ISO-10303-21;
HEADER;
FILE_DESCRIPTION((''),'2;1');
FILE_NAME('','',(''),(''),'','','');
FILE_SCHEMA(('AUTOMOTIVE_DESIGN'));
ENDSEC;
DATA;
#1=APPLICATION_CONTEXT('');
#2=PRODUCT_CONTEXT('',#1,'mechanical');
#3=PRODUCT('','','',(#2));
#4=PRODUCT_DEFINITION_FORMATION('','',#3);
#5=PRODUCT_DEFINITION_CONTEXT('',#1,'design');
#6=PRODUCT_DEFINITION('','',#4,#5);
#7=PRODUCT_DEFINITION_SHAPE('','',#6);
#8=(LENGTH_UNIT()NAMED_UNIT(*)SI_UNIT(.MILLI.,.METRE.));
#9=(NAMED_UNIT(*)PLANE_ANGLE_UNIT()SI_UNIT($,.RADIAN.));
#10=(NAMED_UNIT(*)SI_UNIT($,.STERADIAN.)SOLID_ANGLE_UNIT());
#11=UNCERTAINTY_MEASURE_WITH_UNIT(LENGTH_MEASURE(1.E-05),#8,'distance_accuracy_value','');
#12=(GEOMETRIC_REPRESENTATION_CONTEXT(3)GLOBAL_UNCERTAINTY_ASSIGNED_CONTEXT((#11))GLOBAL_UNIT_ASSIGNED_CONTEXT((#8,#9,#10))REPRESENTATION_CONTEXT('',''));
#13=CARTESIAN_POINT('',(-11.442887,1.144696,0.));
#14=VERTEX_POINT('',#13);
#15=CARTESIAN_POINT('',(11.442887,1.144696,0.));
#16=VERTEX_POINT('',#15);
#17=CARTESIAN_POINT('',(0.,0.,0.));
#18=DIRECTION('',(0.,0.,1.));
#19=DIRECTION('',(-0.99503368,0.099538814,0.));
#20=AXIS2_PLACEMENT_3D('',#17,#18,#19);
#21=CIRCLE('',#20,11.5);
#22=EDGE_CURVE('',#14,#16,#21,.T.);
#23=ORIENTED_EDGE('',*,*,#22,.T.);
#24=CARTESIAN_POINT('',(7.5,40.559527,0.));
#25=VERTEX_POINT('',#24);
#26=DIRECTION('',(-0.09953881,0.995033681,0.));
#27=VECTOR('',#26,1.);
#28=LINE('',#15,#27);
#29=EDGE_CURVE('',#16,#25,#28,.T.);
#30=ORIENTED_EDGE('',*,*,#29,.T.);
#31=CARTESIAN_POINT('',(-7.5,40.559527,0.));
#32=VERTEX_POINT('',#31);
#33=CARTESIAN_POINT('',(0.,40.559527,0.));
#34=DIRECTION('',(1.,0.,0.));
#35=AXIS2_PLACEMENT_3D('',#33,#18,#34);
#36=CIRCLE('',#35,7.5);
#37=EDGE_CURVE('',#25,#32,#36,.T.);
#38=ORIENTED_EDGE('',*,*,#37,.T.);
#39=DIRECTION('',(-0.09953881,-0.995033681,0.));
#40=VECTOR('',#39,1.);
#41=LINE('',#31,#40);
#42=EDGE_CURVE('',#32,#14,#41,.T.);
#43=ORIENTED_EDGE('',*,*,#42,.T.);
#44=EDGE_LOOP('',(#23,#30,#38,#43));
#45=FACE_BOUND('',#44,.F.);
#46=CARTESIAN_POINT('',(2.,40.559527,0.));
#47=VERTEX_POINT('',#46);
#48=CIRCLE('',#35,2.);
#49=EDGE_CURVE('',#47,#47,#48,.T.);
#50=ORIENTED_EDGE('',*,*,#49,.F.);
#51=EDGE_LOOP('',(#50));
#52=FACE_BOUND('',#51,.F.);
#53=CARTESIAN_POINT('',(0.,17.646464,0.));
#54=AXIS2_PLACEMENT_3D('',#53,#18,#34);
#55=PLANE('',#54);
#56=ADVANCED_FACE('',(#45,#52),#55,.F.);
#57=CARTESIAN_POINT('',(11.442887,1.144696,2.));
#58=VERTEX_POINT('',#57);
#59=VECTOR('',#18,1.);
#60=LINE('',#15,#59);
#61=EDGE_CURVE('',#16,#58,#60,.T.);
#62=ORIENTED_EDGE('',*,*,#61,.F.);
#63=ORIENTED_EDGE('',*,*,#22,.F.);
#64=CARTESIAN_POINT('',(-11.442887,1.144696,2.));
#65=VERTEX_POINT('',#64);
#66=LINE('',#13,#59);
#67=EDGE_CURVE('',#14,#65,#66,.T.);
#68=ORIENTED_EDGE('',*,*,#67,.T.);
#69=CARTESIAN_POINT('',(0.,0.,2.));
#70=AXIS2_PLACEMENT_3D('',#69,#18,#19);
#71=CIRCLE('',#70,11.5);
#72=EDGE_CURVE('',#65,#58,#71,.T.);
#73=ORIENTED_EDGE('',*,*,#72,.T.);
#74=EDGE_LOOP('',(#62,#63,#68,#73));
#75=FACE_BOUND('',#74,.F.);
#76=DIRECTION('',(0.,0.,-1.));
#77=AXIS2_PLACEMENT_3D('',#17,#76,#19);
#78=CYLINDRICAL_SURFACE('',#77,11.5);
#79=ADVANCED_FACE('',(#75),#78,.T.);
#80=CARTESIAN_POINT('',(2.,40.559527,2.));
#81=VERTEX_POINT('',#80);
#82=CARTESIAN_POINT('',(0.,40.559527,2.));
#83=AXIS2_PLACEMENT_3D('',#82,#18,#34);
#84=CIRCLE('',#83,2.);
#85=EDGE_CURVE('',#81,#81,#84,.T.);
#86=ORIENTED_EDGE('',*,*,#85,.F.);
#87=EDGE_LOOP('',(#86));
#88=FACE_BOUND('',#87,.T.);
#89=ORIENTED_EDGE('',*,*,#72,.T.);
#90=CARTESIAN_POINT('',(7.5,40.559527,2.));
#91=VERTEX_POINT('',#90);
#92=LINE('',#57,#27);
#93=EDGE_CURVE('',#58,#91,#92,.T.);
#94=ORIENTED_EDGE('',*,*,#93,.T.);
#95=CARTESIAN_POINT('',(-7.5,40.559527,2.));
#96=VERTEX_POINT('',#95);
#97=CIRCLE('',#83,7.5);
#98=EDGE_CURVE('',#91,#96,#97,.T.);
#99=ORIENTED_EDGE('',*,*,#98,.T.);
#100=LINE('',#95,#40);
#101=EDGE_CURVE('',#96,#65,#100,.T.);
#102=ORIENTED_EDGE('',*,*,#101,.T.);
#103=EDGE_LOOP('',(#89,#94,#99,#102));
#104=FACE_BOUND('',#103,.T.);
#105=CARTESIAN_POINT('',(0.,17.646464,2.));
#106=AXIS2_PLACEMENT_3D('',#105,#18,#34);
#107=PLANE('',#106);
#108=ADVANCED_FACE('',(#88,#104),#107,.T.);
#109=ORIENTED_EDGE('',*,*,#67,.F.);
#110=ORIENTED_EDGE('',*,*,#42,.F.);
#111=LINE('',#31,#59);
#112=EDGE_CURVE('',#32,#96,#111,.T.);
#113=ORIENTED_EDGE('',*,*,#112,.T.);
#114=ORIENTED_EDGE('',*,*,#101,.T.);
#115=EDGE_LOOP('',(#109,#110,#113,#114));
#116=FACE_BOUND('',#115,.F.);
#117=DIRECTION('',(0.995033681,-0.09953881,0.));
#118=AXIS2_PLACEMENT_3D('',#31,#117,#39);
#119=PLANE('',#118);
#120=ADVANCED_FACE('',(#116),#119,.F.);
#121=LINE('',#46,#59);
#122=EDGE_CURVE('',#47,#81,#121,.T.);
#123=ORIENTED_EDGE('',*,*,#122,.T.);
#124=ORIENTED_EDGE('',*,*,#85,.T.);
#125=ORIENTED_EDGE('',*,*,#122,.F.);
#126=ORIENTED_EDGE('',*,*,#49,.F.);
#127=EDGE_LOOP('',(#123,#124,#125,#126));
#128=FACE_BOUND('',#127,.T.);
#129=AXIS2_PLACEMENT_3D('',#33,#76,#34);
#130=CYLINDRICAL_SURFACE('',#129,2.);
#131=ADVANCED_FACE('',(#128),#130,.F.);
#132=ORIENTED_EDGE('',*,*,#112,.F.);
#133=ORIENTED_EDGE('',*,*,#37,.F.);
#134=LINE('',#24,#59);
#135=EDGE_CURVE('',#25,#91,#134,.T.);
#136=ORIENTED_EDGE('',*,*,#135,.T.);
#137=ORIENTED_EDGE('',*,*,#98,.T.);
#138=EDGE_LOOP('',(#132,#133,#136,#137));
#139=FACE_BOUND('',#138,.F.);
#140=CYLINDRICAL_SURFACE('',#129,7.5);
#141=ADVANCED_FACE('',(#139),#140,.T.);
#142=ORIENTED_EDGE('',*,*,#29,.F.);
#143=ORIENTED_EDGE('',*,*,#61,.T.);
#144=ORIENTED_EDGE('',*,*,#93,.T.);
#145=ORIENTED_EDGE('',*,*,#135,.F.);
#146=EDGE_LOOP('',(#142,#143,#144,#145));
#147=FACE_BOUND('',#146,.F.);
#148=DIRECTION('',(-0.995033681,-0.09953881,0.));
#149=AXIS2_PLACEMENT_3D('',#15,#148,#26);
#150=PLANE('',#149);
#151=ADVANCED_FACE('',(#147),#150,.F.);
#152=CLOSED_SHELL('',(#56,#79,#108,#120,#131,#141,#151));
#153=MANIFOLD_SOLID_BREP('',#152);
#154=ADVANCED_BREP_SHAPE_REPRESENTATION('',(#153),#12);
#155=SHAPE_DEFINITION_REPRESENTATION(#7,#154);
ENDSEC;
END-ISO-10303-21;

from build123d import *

# Parameters (mm, degrees)
F0_R     = 2
F1_DEPTH = 2


with BuildPart() as f1:
    # F0 (on Top) → F1 (new body)
    with BuildSketch(Plane.XY):
        with BuildLine():
            Line((-7.5, 40.559527), (-11.442887, 1.144696))
            ThreePointArc((-11.442887, 1.144696), (0, -11.5), (11.442887, 1.144696))
            Line((11.442887, 1.144696), (7.5, 40.559527))
            ThreePointArc((7.5, 40.559527), (0, 48.059527), (-7.5, 40.559527))
        make_face()
        with Locations((0, 40.559527)):
            Circle(F0_R, mode=Mode.SUBTRACT)
    extrude(amount=F1_DEPTH)


solid = f1.part
